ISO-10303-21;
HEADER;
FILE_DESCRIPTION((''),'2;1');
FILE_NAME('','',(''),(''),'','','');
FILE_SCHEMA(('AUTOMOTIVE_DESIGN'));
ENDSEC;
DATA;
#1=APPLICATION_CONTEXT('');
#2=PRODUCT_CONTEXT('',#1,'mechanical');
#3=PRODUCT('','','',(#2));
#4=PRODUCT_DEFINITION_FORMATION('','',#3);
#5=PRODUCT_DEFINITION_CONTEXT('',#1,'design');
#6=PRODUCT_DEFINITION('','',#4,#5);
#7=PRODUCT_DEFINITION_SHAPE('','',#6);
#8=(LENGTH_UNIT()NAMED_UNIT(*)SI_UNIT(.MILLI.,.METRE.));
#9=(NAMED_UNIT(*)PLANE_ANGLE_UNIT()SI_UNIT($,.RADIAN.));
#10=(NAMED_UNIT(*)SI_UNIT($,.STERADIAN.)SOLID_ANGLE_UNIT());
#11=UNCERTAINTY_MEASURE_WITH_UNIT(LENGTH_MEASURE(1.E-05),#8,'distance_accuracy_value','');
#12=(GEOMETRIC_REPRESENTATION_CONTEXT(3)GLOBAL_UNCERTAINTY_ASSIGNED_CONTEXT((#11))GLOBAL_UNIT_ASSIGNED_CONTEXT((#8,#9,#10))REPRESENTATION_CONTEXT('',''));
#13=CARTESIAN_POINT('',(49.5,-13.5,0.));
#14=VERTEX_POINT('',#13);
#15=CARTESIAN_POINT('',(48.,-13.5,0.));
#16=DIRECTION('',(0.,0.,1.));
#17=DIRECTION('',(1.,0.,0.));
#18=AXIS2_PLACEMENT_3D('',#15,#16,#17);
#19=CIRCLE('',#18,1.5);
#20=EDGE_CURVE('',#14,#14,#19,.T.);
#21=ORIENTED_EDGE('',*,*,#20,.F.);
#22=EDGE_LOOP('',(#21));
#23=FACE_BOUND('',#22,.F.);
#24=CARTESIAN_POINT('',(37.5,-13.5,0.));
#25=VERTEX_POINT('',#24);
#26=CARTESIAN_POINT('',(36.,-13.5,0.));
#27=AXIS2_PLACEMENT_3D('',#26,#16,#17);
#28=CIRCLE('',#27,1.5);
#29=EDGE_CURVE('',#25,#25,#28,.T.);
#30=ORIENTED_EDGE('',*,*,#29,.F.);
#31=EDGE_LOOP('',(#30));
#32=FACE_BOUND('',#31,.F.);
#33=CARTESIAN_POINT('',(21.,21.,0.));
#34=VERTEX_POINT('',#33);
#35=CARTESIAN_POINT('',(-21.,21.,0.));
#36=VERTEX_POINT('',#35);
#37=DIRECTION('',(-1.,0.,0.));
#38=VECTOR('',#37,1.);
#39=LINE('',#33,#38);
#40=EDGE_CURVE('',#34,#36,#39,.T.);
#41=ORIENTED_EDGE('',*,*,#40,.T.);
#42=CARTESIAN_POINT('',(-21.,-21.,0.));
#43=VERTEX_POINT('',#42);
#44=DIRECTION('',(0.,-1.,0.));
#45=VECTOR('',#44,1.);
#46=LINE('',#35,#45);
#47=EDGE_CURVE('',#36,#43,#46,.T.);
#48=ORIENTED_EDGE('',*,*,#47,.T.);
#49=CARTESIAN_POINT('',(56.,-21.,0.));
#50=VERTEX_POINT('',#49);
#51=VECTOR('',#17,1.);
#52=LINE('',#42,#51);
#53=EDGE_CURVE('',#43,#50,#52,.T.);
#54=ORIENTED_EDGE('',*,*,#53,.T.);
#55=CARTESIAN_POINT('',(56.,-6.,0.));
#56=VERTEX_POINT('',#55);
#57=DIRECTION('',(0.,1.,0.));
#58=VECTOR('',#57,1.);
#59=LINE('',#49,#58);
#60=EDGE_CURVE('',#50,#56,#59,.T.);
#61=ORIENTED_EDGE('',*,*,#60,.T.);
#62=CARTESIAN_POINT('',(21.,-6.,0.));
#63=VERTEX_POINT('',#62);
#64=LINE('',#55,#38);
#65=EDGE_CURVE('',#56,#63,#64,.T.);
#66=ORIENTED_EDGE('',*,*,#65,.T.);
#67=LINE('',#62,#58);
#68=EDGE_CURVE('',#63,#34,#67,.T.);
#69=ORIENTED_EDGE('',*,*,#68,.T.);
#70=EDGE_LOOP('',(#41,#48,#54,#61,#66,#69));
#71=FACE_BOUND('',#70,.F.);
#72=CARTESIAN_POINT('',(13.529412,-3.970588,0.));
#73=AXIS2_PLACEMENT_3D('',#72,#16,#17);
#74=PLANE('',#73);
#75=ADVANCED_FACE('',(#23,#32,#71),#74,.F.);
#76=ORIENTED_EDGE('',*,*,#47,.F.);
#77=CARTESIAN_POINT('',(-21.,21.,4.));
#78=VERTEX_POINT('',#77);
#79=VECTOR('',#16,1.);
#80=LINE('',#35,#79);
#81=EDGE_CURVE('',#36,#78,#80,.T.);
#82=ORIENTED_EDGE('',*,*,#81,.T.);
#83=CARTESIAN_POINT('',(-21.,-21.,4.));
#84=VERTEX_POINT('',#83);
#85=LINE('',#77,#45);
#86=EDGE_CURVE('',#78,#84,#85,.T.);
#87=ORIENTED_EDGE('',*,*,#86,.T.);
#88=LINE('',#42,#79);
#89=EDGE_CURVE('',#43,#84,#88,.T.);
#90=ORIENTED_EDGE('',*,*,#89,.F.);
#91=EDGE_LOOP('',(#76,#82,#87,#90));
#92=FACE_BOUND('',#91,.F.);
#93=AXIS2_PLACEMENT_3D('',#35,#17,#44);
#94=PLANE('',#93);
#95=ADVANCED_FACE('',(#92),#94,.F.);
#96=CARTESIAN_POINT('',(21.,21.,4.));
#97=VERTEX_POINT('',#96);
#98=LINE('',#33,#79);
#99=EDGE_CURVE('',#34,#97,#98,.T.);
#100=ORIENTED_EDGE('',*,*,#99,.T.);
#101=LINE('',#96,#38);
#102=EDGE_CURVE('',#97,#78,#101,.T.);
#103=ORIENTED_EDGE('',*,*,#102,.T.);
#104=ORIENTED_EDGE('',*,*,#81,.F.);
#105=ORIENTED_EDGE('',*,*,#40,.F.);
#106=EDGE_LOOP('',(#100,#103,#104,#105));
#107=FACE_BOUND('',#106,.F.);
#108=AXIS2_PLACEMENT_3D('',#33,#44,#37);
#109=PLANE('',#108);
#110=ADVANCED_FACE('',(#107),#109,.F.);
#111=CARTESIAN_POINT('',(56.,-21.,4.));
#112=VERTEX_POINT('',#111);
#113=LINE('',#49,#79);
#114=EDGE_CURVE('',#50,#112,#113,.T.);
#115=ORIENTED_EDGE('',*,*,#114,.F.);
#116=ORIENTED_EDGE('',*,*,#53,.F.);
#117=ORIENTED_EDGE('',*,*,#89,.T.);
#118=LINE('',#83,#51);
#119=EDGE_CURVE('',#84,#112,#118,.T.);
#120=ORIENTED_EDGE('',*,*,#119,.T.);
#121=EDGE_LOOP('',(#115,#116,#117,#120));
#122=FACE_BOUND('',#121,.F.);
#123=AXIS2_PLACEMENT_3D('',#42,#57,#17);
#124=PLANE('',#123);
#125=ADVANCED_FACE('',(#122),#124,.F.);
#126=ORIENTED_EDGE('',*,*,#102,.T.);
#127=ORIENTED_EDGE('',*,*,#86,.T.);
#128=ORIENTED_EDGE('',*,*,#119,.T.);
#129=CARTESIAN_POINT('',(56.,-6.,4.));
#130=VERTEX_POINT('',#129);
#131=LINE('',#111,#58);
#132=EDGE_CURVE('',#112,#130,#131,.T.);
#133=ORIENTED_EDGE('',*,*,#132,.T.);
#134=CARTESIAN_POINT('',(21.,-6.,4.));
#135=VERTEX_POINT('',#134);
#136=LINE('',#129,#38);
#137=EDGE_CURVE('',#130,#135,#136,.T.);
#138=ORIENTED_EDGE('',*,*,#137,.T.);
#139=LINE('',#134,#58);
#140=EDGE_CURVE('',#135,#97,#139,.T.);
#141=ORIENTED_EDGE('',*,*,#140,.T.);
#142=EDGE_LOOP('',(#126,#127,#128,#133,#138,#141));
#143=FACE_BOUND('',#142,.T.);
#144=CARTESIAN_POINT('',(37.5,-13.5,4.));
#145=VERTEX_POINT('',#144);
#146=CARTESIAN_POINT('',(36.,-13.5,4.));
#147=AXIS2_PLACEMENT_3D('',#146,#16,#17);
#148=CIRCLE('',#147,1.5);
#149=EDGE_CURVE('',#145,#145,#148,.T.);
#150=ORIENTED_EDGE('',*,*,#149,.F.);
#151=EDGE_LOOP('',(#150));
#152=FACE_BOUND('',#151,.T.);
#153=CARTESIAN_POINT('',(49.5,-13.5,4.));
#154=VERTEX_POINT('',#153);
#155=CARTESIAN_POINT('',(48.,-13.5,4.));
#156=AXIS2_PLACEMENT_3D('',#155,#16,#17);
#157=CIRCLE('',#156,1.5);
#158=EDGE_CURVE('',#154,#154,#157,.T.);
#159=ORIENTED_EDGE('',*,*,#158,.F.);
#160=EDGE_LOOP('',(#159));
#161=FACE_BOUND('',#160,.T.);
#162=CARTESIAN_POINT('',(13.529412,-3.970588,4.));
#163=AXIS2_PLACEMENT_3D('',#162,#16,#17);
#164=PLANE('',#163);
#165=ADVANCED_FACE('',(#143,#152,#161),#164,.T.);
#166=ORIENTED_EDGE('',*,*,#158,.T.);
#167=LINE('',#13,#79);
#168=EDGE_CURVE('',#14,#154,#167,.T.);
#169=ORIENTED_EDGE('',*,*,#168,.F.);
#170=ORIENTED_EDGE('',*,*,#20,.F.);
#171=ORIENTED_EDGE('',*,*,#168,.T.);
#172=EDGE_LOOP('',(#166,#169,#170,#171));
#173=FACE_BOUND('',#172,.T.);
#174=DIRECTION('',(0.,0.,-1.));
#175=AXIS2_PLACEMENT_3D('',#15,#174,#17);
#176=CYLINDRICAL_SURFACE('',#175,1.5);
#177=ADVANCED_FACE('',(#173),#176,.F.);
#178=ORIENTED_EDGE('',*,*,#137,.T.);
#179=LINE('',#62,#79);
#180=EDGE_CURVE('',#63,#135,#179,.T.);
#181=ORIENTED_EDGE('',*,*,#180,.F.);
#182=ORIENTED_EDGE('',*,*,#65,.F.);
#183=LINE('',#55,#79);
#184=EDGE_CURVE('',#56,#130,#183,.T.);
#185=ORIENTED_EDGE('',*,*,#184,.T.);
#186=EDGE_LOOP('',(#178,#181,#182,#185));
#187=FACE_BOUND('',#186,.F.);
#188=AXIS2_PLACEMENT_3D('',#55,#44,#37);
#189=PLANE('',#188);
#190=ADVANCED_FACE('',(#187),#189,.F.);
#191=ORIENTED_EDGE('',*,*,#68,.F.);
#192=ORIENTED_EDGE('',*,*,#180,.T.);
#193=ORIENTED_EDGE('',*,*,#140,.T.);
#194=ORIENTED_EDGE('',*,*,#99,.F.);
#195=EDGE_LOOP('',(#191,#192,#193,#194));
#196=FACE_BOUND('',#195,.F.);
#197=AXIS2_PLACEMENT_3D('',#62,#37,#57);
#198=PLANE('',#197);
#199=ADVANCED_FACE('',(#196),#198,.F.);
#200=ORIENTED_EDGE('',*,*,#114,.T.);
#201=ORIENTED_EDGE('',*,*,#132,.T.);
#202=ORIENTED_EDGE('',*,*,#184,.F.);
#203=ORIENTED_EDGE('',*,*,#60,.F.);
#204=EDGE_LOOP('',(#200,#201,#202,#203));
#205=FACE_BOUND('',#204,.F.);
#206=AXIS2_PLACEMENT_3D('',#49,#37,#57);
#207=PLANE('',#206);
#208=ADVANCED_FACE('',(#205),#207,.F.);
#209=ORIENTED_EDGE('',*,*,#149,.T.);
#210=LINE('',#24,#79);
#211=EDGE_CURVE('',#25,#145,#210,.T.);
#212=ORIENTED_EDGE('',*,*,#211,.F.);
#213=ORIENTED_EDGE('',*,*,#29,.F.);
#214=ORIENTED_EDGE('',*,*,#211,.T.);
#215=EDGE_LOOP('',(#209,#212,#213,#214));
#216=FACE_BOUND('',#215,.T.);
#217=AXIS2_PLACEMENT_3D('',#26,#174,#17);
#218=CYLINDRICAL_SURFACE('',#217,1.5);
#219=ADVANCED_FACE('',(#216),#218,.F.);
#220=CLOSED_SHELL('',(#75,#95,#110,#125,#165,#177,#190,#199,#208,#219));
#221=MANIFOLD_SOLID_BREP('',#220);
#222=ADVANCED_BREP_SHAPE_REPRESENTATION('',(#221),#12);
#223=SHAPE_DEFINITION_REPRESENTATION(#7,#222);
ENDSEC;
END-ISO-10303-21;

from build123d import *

# Parameters (mm, degrees)
F0_R     = 1.5
F1_DEPTH = 4


with BuildPart() as f1:
    # F0 (on Top) → F1 (new body)
    with BuildSketch(Plane.XY):
        Polygon((21, 21), (-21, 21), (-21, -21), (21, -21), (56, -21), (56, -6), (21, -6), align=None)
        with Locations((36, -13.5)):
            Circle(F0_R, mode=Mode.SUBTRACT)
        with Locations((48, -13.5)):
            Circle(F0_R, mode=Mode.SUBTRACT)
    extrude(amount=F1_DEPTH)


solid = f1.part
